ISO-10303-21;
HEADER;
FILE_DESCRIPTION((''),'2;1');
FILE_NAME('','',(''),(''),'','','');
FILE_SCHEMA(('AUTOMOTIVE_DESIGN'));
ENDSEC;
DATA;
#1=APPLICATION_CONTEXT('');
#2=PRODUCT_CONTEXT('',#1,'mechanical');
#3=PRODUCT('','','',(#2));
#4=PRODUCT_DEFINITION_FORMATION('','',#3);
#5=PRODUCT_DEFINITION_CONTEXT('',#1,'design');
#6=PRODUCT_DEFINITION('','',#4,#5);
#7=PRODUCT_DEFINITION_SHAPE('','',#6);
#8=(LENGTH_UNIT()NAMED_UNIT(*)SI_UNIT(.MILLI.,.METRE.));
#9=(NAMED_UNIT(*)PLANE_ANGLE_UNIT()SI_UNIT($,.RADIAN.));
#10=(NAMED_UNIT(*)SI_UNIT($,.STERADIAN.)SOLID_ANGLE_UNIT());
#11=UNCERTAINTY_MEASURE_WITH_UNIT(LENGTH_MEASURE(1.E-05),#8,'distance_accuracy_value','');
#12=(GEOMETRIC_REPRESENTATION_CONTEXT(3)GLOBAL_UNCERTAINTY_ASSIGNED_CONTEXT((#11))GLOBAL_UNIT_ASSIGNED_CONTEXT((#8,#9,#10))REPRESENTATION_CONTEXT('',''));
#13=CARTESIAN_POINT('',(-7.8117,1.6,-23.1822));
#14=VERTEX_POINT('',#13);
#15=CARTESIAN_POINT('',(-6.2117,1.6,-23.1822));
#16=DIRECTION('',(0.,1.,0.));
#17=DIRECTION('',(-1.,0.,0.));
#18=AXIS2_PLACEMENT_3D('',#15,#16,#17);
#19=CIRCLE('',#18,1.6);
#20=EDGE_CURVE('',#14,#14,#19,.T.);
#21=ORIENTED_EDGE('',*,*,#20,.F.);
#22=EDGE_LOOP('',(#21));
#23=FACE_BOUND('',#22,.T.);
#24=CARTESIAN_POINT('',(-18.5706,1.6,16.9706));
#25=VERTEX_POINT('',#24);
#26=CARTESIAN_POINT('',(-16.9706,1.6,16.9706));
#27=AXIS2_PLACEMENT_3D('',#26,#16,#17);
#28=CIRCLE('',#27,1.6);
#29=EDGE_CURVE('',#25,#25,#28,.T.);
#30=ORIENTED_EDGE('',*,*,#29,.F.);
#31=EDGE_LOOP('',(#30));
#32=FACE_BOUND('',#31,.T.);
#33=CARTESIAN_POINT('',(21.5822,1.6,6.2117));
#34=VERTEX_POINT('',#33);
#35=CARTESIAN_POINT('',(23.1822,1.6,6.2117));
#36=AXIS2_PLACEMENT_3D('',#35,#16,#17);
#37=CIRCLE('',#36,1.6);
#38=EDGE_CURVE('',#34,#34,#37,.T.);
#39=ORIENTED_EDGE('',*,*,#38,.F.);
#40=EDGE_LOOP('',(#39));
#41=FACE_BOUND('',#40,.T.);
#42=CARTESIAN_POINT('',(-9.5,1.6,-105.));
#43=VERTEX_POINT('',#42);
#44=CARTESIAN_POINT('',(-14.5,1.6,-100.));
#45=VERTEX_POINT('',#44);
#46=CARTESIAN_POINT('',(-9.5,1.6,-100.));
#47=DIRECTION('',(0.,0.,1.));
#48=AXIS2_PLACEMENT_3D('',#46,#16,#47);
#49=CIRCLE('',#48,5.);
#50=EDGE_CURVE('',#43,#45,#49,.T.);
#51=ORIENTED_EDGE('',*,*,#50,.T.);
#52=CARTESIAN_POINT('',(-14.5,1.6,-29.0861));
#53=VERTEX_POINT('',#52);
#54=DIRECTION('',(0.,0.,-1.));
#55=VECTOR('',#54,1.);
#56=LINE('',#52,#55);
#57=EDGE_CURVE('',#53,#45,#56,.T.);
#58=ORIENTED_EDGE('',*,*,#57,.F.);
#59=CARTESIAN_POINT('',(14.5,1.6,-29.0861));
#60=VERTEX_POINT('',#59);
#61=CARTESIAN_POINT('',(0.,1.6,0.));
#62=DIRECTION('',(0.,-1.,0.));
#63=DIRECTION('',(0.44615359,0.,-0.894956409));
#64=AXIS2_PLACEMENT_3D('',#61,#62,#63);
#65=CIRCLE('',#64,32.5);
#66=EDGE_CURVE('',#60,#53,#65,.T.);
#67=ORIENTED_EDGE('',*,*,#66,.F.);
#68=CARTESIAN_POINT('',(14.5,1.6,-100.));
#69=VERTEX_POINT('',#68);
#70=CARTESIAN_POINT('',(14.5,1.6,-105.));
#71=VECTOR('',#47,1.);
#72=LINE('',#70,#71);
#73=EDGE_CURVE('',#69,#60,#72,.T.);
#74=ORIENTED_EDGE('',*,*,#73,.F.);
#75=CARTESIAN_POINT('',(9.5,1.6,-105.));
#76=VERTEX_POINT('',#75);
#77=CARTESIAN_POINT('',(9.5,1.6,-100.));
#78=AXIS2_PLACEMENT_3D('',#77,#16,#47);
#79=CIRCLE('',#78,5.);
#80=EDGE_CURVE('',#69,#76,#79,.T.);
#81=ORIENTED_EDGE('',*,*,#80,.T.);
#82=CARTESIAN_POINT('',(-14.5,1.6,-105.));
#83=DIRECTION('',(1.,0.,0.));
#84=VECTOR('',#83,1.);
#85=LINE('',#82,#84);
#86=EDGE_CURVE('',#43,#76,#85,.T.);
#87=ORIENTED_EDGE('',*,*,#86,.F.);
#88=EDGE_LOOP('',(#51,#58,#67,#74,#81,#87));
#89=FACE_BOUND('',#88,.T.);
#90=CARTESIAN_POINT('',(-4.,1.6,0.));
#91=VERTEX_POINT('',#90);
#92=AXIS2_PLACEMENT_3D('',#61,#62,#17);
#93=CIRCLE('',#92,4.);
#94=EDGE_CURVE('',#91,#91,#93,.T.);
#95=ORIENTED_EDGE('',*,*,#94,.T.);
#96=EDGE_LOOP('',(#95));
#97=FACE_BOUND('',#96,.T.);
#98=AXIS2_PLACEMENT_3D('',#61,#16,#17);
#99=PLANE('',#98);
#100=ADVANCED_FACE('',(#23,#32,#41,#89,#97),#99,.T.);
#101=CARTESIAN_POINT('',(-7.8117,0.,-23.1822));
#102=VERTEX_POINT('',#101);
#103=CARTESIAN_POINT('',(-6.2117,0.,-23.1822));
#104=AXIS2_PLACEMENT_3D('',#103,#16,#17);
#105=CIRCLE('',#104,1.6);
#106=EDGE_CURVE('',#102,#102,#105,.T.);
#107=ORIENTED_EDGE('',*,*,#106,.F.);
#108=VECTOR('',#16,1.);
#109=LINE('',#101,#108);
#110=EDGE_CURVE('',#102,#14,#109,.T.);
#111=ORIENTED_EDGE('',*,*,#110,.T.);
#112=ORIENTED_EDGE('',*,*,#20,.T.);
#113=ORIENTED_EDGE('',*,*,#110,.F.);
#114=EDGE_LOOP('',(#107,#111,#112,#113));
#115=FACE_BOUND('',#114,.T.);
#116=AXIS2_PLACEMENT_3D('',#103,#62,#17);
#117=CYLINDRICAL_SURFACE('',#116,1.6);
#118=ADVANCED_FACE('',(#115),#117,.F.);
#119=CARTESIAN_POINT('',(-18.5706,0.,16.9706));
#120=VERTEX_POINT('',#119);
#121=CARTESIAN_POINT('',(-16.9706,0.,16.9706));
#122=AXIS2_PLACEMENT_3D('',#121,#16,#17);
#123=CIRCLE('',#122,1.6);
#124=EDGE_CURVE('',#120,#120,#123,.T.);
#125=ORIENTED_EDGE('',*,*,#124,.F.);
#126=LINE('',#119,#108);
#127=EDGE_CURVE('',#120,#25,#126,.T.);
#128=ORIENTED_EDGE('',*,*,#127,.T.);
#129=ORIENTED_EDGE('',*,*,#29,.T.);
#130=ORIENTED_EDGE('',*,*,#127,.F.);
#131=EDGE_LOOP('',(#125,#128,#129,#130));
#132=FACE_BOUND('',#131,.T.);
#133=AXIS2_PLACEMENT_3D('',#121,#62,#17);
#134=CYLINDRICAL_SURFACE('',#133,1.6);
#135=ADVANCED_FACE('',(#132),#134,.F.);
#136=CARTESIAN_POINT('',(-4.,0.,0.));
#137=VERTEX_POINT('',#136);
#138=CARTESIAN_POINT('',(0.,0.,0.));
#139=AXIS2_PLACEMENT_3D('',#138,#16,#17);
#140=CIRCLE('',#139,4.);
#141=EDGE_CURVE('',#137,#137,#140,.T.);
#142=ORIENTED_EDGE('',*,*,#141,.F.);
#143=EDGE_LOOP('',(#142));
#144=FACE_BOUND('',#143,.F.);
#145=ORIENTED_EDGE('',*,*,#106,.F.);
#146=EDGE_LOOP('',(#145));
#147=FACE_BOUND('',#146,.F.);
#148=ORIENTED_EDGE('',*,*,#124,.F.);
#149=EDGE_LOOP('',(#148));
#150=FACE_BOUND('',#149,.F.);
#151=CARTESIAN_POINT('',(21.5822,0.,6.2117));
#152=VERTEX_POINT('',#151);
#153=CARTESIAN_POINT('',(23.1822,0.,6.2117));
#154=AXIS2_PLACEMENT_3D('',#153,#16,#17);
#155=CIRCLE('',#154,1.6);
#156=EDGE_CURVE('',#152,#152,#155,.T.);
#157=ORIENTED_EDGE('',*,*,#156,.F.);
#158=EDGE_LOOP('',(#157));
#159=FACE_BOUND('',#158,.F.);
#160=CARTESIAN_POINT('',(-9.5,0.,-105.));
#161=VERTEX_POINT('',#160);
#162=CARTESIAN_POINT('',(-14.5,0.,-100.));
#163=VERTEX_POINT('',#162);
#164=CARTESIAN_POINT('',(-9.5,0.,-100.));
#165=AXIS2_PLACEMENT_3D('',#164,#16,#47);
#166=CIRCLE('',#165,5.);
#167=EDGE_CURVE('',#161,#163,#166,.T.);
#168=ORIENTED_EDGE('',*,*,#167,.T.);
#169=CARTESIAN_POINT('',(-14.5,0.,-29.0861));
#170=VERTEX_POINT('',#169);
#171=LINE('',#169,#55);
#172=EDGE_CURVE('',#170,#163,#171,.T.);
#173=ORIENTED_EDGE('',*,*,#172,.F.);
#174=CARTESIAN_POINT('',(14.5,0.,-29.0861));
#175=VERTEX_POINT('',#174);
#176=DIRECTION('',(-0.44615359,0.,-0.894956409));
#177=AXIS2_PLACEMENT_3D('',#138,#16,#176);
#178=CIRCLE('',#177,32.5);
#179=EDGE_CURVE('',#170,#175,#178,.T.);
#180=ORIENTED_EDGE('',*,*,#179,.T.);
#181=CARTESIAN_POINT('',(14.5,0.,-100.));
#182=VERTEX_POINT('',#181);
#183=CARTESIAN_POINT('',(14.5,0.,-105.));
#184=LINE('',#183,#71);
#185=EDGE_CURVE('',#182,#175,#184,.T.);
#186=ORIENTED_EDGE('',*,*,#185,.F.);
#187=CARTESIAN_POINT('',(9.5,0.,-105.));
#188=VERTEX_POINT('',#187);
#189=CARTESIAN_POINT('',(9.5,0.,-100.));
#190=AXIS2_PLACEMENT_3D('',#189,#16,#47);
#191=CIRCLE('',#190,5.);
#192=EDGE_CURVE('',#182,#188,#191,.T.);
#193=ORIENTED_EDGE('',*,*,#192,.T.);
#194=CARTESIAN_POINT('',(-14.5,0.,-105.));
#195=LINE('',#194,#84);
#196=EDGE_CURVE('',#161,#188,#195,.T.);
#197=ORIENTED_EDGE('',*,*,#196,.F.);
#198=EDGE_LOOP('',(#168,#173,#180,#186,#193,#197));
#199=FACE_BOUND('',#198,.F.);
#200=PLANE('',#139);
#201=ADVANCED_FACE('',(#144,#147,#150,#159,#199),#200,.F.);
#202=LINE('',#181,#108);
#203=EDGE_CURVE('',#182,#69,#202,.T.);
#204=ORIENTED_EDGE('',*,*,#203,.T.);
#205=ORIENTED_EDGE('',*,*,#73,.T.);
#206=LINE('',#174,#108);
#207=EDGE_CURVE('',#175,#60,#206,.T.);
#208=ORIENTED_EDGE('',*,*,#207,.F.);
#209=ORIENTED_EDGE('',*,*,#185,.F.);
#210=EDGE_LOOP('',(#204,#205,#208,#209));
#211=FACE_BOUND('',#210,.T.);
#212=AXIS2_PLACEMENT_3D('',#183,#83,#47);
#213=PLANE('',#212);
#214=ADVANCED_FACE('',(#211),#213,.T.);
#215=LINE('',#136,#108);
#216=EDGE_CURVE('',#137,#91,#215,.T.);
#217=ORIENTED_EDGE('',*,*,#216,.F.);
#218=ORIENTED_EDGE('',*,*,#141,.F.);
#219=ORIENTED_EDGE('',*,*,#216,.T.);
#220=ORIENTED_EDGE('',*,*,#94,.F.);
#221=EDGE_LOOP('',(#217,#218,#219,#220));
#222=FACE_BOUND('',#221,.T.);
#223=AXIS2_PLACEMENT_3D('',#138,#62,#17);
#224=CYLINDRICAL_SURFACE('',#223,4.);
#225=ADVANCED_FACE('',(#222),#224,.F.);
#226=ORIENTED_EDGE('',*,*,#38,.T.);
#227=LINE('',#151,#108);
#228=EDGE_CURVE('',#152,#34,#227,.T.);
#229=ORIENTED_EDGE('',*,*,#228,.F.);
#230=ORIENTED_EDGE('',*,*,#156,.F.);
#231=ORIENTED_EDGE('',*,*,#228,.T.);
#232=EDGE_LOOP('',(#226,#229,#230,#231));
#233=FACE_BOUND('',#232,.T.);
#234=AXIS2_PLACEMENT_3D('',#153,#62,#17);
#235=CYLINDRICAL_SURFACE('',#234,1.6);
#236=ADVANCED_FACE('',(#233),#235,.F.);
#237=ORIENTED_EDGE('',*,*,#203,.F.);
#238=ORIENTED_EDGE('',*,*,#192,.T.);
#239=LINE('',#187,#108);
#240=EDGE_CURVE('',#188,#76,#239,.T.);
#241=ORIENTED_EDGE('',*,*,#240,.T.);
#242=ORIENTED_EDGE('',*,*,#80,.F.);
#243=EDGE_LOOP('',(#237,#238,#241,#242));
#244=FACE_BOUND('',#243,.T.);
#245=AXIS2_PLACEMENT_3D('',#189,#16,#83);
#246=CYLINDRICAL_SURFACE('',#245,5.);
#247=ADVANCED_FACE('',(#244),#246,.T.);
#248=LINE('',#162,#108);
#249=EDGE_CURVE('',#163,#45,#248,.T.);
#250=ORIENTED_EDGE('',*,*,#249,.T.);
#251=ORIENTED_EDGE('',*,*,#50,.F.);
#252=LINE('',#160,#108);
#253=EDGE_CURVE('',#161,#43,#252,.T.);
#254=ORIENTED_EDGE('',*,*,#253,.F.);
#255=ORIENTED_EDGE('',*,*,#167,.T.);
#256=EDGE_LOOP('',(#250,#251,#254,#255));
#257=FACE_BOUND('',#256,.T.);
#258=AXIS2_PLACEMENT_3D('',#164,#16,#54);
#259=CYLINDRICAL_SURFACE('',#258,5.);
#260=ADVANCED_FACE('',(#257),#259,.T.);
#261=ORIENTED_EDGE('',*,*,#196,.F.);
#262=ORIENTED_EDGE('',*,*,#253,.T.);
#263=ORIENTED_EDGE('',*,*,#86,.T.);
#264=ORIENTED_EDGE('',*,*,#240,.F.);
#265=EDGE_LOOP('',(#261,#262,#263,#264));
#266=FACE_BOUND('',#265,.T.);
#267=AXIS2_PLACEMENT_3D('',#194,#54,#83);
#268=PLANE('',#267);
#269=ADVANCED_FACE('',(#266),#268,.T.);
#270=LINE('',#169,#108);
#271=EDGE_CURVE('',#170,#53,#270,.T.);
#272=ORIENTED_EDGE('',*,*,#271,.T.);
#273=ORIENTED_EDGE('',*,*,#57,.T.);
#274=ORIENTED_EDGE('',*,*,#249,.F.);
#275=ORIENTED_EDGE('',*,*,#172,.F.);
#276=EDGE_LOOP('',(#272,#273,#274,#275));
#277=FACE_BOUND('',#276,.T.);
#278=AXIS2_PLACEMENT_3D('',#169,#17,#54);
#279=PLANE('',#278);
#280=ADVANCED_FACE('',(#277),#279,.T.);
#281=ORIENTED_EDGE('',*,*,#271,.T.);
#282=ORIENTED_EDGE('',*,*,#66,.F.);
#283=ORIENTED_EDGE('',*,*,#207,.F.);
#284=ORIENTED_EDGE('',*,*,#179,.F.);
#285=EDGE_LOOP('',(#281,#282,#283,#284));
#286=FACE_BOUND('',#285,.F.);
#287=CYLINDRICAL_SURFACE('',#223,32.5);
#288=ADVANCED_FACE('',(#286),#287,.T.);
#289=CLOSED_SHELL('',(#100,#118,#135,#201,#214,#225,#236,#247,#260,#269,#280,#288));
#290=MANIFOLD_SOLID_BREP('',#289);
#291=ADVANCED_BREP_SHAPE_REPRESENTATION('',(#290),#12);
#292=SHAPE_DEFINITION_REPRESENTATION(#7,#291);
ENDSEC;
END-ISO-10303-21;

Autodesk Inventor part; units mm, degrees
ref_plane "YZ Plane" through (0, 0, 0) normal (1, 0, 0) x (0, 1, 0)
ref_plane "XZ Plane" through (0, 0, 0) normal (0, 1, 0) x (-1, 0, 0)
ref_plane "XY Plane" through (0, 0, 0) normal (0, 0, 1) x (1, 0, 0)
sketch "Sketch1" plane through (0, 0, 0) normal (0, 1, 0) x (-1, 0, 0)
  circle A0 centre (0, 0) radius 32.5
  circle A1 centre (0, 0) radius 4
  line L0 (-14.5, -105) -> (-14.5, -29.0861)
  line L1 (-14.5, -29.0861) -> (14.5, -29.0861) construction
  line L2 (14.5, -29.0861) -> (14.5, -105)
  line L3 (14.5, -105) -> (-14.5, -105)
  line L4 (-14.5, -105) -> (14.5, -29.0861) construction
  line L5 (-14.5, -29.0861) -> (14.5, -105) construction
  line L6 (0, 0) -> (16.9706, 16.9706) construction
  circle A2 centre (16.9706, 16.9706) radius 1.6
  circle A3 centre (-23.1822, 6.2117) radius 1.6
  circle A4 centre (6.2117, -23.1822) radius 1.6
  circle A5 centre (0, 0) radius 10
  circle A6 centre (0, 0) radius 7
  line L7 (-7, 0) -> (-4.9497, 4.9497)
  line L8 (-4.9497, 4.9497) -> (0, 7)
  line L9 (0, 7) -> (4.9497, 4.9497)
  line L10 (4.9497, 4.9497) -> (7, 0)
  line L11 (7, 0) -> (4.9497, -4.9497)
  line L12 (4.9497, -4.9497) -> (0, -7)
  line L13 (0, -7) -> (-4.9497, -4.9497)
  line L14 (-4.9497, -4.9497) -> (-7, 0)
  line L15 (-101.397, 42) -> (101.397, -42)
  line L16 (-141.9558, 0) -> (141.9558, 0) projected
  point P0 (0, -67.043)
  point P1 (0, -67.043)
  point P2 (5.9749, -2.4749)
  point P3 (0, 0)
  dimension "d16" = 14
  dimension "d0" = 65
  dimension "d1" = 8
  dimension "d4" = 29
  dimension "d6" = 24
  dimension "d8" = 3.2
  dimension "d11" = 360
  dimension "d14" = 135
  dimension "d15" = 20
  dimension "d17" = 22.5
  dimension "d18" = 6.2117
  dimension "d19" = 23.1822
  dimension "d20" = 16.9706
  dimension "d21" = 16.9706
  dimension "d22" = 23.1822
  dimension "d23" = 6.2117
  dimension "d24" = 105
extrude "Extrusion1" add sketch "Sketch1" along normal blind 1.6 contours A0 L16 A5 L15 | A0 L2 L3 L0 | A0 L15 A5 L16 | L15 A5 L16 A0 | A0 L16 A5 L15 | L16 A6 L15 A5 | A5 L15 A6 L16 | L15 A6 L16 A5 | A5 L16 A6 L15 | L14 A6 | A6 L15 L7 | L16 A1 L15 L11 L12 L13 L14 | L7 L15 A1 L16 | L15 L11 A6 | A6 L11 L15 | A6 L7 L15 | L13 A6 | L7 L8 L9 L10 L16 A1 L15 | L10 A6 | L11 L15 A1 L16 | A6 L12 | A6 L8 | L9 A6
fillet "Fillet1" radius 5 2 edges at (-14.5, 0.8, -105) (14.5, 0.8, -105)
properties part number "038" material "GFRC"
